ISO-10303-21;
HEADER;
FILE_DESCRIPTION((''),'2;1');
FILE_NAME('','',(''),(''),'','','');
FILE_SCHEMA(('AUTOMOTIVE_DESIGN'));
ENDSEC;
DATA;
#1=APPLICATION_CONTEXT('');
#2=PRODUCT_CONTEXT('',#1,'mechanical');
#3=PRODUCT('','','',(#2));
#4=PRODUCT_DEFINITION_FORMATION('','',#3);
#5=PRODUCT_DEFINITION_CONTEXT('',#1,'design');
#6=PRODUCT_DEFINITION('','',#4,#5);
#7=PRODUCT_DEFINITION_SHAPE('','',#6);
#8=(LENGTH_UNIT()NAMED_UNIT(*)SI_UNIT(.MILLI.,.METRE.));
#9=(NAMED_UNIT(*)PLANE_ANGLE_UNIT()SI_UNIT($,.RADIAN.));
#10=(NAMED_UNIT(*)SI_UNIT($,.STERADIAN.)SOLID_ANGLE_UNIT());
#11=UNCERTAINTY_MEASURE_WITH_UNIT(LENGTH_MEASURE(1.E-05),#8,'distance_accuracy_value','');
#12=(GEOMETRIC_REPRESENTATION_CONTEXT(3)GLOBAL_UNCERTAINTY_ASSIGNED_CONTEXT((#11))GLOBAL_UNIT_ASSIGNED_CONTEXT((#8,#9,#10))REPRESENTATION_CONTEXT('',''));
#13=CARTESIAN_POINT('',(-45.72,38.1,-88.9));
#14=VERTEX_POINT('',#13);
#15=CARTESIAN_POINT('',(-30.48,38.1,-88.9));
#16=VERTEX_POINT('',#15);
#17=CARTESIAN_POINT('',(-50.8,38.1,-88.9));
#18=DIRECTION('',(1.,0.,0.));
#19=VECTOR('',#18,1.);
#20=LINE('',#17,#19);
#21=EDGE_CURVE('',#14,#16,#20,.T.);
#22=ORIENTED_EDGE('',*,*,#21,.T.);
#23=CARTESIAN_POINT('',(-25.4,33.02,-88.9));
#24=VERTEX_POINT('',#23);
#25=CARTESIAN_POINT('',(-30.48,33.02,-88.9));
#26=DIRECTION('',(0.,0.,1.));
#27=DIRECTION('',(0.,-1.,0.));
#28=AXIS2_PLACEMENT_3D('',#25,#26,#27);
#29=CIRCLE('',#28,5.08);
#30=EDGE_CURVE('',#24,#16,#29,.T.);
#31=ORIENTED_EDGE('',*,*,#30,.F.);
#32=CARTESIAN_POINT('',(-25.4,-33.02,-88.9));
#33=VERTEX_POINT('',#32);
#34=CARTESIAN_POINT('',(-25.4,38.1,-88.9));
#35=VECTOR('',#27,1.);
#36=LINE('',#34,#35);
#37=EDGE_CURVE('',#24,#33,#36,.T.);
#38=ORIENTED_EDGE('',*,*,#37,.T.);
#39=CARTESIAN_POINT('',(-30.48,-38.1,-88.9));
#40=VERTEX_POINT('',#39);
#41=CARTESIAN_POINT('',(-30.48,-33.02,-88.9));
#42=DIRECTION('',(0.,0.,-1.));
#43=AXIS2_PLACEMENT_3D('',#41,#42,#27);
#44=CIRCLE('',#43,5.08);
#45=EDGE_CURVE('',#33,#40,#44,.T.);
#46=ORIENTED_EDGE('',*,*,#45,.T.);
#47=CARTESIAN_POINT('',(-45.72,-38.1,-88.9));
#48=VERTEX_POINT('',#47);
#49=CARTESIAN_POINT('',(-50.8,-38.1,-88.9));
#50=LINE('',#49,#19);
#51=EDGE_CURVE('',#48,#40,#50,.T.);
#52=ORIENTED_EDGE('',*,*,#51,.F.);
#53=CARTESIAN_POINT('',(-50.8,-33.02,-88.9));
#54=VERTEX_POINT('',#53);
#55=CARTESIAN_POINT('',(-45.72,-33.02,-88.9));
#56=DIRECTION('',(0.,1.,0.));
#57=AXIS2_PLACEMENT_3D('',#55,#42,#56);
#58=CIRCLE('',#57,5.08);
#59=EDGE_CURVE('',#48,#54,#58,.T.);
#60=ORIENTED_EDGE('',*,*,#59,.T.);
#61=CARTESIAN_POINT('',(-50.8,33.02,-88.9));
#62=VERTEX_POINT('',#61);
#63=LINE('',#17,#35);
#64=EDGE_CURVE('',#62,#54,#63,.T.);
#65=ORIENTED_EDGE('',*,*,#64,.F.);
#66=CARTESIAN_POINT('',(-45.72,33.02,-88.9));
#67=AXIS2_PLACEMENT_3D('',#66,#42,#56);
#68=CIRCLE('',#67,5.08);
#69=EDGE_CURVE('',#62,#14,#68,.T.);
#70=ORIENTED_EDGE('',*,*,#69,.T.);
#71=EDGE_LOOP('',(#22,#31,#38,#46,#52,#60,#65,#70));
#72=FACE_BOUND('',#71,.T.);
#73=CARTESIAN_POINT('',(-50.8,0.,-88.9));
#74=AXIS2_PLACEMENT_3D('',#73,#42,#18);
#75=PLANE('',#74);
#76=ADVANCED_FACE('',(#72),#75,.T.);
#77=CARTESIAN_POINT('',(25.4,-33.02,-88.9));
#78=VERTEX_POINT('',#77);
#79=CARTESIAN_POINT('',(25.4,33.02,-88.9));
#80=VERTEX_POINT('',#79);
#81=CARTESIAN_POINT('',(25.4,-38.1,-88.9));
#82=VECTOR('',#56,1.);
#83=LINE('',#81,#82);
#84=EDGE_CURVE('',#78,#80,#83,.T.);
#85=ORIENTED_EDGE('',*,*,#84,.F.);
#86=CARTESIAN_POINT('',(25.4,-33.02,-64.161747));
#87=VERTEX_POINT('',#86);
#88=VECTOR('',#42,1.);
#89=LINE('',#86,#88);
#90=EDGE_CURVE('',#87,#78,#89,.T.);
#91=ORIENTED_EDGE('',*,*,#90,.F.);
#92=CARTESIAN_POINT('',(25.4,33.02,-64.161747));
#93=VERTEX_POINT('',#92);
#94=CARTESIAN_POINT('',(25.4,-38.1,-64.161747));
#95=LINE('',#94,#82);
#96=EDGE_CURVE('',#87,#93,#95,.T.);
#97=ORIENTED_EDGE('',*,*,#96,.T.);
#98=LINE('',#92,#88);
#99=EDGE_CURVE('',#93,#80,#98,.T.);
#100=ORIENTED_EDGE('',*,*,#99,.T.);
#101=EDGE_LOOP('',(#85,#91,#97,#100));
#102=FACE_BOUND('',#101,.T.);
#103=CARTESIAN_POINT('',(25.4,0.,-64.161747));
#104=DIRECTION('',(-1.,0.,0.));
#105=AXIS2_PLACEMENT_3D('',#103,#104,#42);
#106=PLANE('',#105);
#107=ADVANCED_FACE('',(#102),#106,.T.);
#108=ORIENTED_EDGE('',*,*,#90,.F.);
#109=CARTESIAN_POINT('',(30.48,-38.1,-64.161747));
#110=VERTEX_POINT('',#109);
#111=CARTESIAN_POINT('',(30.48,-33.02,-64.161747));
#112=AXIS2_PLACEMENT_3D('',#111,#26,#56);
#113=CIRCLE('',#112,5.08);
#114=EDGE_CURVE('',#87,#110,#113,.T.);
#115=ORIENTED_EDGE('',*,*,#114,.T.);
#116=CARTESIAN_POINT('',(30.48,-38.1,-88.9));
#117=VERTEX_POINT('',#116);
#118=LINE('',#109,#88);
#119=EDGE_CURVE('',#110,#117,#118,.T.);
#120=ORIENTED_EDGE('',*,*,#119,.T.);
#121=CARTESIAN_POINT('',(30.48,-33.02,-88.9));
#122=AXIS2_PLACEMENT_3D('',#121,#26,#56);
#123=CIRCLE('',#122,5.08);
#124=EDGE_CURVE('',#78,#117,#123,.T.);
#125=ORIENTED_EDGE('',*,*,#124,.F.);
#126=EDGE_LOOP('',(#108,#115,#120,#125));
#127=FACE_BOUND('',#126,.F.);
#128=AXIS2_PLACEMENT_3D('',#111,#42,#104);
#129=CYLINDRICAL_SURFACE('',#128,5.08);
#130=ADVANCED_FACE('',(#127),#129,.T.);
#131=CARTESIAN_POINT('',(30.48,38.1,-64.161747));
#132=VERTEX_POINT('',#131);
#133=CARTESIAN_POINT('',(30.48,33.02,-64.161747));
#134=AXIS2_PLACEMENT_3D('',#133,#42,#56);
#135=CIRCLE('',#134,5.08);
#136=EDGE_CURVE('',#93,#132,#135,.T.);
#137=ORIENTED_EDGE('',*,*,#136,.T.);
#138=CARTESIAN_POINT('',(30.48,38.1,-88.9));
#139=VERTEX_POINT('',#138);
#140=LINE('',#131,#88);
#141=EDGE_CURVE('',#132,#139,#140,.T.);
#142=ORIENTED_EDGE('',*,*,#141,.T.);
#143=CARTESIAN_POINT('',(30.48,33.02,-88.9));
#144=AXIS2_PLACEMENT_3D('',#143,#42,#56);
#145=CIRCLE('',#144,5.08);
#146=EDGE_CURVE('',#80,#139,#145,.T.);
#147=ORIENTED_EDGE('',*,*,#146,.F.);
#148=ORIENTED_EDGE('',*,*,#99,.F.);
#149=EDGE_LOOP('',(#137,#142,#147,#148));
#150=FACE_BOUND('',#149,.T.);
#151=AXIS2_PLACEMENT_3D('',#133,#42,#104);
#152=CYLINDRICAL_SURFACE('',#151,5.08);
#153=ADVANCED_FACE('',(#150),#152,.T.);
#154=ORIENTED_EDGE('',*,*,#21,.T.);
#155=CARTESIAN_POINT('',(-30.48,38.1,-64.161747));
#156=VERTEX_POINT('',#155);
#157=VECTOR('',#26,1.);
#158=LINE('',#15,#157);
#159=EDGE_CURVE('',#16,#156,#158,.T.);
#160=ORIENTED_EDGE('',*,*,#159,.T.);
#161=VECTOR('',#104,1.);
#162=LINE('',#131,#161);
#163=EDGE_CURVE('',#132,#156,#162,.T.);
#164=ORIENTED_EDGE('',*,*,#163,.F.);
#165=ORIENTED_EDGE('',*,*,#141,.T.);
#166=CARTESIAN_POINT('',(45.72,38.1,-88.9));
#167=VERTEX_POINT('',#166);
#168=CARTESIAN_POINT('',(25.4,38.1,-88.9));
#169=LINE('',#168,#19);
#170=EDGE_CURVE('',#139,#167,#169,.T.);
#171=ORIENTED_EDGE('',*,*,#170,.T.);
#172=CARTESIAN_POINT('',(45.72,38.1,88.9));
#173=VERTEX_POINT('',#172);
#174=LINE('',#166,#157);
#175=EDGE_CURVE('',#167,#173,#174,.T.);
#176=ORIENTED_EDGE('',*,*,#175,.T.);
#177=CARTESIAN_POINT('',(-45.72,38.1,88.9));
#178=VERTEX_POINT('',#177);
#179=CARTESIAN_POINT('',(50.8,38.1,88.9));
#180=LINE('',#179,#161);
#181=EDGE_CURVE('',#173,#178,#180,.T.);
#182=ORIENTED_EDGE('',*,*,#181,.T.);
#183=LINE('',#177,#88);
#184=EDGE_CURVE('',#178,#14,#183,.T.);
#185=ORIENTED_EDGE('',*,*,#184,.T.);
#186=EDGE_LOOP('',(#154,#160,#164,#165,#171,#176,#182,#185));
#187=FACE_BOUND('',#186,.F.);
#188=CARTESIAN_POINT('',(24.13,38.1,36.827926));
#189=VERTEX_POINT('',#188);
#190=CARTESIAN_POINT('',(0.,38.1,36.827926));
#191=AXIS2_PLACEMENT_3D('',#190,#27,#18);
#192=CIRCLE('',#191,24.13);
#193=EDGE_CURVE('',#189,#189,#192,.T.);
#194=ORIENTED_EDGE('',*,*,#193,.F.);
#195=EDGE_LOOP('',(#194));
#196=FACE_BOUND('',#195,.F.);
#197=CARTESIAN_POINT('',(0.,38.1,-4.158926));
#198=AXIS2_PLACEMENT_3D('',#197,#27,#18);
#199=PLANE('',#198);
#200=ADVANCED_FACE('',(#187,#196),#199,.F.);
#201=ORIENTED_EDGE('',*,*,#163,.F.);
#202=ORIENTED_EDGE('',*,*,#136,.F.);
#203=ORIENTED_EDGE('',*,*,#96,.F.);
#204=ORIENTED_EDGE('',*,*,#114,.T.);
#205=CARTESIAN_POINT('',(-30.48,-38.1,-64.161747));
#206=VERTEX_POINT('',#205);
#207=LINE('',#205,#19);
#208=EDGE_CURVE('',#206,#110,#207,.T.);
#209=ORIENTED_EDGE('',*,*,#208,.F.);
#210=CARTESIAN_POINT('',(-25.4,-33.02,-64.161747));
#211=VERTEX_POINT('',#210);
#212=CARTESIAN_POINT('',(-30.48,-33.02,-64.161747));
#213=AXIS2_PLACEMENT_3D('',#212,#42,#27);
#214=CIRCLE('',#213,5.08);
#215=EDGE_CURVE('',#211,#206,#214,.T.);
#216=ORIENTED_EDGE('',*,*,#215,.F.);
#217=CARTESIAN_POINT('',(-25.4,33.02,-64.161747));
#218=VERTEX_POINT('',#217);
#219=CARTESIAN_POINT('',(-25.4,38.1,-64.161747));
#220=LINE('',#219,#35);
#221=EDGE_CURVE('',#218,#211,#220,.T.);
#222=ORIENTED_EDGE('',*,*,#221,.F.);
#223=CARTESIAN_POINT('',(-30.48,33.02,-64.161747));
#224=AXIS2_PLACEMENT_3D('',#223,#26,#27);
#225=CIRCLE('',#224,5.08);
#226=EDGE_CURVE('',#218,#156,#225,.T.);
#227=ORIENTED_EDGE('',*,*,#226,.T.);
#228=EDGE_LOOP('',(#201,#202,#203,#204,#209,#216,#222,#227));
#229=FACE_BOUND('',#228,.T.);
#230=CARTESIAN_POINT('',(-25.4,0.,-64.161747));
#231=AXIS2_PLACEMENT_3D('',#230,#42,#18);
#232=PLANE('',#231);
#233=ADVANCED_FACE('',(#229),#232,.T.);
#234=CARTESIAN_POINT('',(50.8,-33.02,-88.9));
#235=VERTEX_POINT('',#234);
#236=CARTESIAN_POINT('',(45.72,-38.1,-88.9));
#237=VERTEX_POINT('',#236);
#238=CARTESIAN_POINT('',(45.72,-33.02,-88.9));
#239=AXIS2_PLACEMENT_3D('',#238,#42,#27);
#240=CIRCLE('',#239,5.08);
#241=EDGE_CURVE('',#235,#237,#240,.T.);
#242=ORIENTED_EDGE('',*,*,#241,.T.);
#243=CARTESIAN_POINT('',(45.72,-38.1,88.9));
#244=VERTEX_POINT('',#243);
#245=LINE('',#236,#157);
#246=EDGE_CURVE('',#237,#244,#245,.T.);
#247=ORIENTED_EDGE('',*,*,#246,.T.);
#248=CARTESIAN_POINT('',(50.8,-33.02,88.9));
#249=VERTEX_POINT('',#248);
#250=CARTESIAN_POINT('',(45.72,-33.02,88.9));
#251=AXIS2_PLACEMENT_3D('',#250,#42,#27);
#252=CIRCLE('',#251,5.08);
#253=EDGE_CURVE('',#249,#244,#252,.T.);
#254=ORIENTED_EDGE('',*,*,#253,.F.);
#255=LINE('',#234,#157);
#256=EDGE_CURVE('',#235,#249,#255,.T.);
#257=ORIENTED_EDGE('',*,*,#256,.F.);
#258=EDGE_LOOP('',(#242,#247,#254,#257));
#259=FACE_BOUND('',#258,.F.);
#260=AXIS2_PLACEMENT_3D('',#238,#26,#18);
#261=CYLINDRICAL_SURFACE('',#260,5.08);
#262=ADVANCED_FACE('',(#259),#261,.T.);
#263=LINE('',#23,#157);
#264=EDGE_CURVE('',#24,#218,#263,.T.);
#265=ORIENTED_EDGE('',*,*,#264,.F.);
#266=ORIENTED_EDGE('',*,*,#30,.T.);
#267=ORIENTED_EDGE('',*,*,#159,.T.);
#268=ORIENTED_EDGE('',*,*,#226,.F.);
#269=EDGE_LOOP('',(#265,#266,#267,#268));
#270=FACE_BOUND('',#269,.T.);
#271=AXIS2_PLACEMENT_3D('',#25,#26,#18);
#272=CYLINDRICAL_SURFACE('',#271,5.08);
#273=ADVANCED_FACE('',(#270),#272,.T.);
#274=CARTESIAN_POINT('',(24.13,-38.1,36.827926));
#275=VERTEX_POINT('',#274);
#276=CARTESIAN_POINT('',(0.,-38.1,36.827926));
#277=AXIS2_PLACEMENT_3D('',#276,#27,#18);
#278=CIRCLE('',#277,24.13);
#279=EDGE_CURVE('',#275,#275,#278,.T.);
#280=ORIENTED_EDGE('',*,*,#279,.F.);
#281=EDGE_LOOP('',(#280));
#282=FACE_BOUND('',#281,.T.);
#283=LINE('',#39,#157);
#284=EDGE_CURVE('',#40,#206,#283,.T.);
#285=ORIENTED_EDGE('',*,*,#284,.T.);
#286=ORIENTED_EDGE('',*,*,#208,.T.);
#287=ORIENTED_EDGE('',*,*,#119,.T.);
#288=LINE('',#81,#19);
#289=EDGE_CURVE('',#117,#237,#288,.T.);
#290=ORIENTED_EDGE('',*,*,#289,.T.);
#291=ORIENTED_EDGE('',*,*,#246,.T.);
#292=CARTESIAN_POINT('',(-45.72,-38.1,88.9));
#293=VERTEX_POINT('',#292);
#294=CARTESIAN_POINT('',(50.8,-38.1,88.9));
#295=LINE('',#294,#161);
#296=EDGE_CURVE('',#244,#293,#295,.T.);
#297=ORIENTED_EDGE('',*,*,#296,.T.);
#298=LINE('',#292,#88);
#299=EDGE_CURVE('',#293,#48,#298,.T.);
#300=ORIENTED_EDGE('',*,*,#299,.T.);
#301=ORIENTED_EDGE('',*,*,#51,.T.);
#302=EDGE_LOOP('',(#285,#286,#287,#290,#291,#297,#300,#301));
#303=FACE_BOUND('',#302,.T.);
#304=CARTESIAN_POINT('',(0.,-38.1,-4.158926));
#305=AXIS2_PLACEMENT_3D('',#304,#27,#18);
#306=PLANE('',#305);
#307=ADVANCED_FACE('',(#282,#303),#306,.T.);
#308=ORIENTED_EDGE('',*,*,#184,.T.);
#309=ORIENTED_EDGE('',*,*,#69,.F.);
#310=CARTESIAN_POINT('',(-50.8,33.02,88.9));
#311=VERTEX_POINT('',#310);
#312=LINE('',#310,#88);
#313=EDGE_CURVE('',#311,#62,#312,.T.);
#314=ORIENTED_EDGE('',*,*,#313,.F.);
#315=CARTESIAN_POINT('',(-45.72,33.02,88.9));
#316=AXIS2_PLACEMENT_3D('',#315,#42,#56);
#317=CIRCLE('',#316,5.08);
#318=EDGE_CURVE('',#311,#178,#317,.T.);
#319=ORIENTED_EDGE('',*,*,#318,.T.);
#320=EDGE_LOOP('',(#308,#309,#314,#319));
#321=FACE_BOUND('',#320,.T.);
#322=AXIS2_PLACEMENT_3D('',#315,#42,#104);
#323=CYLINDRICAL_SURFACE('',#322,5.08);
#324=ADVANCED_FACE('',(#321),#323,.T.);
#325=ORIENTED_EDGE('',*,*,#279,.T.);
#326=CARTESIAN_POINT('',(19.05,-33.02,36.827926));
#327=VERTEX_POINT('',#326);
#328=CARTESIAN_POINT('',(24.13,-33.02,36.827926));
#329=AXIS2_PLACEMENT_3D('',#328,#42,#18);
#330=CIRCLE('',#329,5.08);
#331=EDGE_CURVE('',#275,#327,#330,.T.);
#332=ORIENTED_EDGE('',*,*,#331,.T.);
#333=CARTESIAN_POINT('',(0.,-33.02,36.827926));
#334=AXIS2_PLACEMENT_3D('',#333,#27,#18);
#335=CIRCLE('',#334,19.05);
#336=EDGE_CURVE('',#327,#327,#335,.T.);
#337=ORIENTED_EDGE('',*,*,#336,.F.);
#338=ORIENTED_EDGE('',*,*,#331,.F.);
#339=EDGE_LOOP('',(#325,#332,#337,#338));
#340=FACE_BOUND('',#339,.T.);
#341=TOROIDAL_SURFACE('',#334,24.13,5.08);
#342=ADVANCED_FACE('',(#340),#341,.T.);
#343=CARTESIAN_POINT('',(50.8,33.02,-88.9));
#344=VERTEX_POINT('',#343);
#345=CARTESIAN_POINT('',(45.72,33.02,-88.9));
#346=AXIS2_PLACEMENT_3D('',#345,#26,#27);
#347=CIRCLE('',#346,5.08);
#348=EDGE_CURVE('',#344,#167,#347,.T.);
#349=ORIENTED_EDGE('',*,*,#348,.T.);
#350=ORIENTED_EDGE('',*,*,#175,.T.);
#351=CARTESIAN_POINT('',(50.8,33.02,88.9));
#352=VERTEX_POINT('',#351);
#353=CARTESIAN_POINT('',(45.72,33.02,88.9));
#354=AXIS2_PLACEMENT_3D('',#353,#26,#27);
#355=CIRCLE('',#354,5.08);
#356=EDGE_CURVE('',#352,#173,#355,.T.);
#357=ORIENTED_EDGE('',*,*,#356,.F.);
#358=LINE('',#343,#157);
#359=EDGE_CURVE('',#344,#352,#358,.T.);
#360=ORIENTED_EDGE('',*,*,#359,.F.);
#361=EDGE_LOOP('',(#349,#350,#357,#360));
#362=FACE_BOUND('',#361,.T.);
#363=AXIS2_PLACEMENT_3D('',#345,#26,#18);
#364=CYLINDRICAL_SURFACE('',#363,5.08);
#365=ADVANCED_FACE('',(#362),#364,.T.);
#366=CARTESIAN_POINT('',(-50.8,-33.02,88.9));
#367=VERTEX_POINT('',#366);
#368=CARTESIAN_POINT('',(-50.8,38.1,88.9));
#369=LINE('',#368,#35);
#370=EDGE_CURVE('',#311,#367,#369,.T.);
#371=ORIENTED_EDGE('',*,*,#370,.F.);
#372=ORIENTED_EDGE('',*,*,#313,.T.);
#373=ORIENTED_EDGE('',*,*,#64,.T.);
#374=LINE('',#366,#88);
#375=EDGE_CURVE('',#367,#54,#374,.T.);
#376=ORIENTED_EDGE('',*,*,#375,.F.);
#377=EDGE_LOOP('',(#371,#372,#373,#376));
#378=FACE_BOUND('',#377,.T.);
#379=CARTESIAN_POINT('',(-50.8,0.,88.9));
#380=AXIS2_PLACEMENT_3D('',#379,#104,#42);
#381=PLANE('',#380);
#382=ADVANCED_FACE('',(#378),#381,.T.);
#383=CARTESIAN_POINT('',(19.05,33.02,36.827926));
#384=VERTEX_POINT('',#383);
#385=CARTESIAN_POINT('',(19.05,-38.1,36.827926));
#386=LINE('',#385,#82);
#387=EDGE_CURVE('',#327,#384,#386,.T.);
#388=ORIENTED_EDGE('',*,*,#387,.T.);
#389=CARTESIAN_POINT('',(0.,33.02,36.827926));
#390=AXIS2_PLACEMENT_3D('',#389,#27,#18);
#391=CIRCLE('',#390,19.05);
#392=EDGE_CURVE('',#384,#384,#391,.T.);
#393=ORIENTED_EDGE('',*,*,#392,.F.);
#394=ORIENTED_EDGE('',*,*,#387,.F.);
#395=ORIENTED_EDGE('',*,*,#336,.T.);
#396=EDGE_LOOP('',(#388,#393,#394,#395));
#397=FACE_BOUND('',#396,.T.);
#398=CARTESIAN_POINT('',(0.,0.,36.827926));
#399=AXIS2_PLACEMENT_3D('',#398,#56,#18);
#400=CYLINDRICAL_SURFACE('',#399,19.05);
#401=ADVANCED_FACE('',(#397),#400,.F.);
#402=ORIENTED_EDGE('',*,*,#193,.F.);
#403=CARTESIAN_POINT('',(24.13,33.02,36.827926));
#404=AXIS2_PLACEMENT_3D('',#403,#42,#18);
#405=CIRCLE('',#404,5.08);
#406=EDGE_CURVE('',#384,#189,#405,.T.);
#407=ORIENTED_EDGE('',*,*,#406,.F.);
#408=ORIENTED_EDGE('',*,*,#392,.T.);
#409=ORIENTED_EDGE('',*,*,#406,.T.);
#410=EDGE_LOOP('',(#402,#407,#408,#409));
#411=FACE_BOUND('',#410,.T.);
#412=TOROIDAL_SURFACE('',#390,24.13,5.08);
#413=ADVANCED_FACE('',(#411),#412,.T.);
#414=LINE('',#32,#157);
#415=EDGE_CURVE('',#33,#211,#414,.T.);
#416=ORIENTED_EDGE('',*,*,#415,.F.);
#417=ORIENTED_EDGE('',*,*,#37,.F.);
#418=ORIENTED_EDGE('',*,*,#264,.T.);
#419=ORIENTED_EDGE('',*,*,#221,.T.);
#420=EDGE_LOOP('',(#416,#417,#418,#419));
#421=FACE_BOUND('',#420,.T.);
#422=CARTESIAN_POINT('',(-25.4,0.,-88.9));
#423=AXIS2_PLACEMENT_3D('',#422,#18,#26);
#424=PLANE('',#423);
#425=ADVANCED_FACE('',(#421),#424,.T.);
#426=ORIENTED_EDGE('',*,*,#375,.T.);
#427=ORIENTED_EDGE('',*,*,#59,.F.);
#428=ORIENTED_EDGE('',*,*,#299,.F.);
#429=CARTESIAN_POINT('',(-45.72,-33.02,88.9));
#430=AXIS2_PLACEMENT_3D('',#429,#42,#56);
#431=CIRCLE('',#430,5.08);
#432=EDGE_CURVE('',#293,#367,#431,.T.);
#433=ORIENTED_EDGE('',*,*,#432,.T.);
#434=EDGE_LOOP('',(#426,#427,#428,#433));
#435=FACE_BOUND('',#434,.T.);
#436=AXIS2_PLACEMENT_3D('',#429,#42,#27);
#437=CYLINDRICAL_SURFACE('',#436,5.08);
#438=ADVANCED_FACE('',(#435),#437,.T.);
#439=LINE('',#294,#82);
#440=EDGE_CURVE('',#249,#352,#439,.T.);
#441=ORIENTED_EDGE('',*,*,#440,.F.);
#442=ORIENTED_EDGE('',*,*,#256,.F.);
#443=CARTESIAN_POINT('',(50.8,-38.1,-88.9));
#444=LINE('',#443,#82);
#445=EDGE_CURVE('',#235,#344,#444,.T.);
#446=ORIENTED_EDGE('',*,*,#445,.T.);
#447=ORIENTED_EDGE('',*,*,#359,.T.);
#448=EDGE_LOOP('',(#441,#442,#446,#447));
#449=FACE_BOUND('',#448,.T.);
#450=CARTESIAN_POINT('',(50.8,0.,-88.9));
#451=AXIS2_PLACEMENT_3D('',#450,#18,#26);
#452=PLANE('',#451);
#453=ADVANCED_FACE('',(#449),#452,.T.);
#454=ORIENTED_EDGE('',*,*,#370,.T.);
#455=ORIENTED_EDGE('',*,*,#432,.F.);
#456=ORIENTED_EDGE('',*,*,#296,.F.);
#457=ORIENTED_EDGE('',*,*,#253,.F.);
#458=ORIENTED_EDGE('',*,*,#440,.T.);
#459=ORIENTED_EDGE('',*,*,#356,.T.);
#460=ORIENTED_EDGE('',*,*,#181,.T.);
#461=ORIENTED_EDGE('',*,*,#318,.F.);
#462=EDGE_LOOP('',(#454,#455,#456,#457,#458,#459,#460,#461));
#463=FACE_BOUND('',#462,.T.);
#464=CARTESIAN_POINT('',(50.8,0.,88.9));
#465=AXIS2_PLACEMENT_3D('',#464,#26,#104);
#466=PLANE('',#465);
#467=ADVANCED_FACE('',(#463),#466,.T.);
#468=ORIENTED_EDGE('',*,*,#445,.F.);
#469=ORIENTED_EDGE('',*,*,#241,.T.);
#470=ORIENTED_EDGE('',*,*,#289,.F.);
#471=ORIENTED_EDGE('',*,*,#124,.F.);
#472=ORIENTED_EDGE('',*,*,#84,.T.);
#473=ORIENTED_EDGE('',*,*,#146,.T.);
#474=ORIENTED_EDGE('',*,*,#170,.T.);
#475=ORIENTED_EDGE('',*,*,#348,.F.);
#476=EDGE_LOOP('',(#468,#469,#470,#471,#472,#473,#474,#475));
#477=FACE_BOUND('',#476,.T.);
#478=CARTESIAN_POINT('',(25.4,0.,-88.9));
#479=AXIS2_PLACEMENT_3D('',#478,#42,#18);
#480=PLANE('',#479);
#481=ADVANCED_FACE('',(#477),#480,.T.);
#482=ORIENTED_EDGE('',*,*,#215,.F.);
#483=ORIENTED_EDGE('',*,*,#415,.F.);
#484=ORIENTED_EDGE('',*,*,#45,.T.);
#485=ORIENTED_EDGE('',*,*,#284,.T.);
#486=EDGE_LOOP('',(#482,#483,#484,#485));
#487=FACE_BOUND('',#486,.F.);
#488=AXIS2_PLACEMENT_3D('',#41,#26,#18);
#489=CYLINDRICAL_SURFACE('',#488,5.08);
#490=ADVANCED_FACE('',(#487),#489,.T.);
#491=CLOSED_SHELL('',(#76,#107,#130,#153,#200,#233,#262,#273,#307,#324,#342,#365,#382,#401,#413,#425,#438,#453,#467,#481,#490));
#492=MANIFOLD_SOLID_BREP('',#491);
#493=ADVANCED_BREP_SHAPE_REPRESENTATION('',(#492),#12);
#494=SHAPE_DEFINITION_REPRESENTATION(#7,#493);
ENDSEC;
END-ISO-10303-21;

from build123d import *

# Parameters (mm, degrees)
F0_R     = 19.05
F1_DEPTH = 38.1
F2_R     = 5.08


with BuildPart() as f1:
    # F0 (on Front) → F1 (new body, symmetric)
    with BuildSketch(Plane.XZ):
        Polygon((50.8, 88.9), (-50.8, 88.9), (-50.8, -88.9), (-25.4, -88.9), (-25.4, -64.161747), (25.4, -64.161747), (25.4, -88.9), (50.8, -88.9), align=None)
        with Locations((0, 36.827926)):
            Circle(F0_R, mode=Mode.SUBTRACT)
    extrude(amount=F1_DEPTH, both=True)

    # F2
    f2_edges = [f1.edges().sort_by_distance(p)[0] for p in [
        (-50.8, 38.1, 0),
        (50.8, 38.1, 0),
        (-50.8, -38.1, 0),
        (50.8, -38.1, 0),
        (-25.4, -38.1, -76.530873),
        (25.4, -38.1, -76.530873),
        (-25.4, 38.1, -76.530873),
        (25.4, 38.1, -76.530873),
        (-19.05, -38.1, 36.827926),
        (-19.05, 38.1, 36.827926),
    ]]
    fillet(f2_edges, radius=F2_R)


solid = f1.part
